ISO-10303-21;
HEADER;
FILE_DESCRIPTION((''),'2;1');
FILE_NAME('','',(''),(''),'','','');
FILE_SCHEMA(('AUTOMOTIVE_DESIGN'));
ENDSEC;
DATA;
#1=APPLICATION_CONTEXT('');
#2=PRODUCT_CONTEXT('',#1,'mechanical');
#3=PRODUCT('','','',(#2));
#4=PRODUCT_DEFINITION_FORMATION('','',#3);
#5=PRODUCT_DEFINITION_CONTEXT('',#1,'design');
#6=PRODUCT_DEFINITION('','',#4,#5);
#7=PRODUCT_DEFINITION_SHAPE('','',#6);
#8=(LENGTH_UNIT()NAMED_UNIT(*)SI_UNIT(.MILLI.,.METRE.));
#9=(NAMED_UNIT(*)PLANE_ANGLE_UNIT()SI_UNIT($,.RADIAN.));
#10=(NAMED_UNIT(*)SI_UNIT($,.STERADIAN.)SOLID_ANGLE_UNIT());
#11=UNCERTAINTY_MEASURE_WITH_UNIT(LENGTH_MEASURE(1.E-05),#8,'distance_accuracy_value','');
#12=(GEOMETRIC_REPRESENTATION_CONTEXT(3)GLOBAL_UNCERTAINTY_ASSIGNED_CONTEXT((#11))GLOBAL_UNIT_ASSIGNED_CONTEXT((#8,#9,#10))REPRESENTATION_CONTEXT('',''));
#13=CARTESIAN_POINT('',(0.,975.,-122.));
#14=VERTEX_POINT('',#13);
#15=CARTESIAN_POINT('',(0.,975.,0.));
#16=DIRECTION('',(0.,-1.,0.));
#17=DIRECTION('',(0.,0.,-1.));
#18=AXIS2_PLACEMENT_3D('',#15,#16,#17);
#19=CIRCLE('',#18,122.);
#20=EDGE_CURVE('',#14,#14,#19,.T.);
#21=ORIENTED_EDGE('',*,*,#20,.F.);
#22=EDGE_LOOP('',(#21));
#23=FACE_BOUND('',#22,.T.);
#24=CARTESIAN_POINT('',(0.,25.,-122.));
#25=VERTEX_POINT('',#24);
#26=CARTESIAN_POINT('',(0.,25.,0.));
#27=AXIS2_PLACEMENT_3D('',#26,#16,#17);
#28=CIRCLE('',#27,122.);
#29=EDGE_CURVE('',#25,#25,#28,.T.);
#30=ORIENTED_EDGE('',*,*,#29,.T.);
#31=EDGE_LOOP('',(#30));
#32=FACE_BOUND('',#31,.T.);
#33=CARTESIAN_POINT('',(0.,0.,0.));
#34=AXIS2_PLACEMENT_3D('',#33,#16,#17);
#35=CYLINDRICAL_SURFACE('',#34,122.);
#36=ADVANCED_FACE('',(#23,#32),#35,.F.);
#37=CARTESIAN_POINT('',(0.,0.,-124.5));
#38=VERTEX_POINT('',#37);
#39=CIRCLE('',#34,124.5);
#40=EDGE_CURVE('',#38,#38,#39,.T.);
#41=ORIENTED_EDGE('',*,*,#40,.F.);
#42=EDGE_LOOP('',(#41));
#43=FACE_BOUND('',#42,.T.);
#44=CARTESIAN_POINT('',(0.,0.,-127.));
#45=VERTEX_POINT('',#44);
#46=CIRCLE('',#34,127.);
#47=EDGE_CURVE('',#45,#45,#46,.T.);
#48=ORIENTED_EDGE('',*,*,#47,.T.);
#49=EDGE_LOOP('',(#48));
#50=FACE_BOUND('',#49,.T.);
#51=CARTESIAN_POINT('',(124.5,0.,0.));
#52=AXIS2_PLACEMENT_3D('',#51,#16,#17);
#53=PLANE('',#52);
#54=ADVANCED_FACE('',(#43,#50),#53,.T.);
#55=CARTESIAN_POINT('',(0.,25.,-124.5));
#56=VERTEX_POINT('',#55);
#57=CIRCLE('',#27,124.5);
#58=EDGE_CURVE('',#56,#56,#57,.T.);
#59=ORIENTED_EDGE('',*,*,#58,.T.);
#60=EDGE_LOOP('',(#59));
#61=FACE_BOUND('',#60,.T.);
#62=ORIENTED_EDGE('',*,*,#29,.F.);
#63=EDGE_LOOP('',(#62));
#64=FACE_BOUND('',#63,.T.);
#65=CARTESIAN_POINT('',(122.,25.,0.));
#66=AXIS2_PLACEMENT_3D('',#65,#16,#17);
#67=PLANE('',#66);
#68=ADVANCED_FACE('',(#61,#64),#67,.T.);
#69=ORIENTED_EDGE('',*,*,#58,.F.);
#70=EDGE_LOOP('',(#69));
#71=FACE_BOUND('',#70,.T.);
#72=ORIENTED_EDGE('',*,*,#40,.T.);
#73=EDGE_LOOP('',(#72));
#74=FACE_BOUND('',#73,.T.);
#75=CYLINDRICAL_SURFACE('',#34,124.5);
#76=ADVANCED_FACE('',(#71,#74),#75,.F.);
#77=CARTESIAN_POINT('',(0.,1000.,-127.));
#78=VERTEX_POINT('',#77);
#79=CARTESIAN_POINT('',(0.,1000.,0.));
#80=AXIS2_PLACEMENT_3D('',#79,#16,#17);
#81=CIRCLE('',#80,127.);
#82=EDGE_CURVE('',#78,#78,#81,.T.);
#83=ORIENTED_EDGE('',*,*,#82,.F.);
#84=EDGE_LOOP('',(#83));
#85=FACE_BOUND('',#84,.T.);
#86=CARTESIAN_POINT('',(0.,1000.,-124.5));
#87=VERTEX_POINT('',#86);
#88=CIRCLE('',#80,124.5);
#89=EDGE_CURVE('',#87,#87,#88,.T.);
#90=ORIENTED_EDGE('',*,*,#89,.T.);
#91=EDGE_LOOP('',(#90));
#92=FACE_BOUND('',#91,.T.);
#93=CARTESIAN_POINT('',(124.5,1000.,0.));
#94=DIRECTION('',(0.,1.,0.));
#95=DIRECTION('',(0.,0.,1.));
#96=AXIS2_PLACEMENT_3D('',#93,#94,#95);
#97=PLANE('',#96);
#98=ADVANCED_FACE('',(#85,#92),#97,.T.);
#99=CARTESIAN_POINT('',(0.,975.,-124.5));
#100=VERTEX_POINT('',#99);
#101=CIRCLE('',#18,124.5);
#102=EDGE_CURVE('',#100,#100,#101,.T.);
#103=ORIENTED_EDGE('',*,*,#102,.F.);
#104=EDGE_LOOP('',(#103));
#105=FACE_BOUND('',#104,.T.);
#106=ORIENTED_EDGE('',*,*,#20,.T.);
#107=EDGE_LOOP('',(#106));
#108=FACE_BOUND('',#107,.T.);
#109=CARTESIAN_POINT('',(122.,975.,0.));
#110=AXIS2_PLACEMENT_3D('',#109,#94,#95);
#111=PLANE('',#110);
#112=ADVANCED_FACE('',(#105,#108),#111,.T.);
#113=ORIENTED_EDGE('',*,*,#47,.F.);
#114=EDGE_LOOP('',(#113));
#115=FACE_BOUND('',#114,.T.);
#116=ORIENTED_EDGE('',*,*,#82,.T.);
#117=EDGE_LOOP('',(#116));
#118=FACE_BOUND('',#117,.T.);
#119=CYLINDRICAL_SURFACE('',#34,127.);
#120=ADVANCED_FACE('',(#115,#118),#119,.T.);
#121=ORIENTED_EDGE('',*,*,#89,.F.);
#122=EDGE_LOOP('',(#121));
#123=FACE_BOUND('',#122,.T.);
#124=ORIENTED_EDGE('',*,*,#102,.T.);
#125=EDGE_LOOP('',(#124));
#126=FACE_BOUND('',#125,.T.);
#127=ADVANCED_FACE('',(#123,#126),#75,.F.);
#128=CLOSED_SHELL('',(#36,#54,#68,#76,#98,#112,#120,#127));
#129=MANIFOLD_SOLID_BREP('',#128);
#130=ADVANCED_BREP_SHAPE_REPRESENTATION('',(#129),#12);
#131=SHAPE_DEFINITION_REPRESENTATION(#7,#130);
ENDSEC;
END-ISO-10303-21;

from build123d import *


with BuildPart() as part:
    # Sketch1 → Revolve1 (revolve)
    with BuildSketch(Plane.XY):
        Polygon((127, 1000), (127, 0), (124.5, 0), (124.5, 25), (122, 25), (122, 975), (124.5, 975), (124.5, 1000), align=None)
    revolve(axis=Axis((0, 0, 0), (0, 1, 0)))


solid = part.part
